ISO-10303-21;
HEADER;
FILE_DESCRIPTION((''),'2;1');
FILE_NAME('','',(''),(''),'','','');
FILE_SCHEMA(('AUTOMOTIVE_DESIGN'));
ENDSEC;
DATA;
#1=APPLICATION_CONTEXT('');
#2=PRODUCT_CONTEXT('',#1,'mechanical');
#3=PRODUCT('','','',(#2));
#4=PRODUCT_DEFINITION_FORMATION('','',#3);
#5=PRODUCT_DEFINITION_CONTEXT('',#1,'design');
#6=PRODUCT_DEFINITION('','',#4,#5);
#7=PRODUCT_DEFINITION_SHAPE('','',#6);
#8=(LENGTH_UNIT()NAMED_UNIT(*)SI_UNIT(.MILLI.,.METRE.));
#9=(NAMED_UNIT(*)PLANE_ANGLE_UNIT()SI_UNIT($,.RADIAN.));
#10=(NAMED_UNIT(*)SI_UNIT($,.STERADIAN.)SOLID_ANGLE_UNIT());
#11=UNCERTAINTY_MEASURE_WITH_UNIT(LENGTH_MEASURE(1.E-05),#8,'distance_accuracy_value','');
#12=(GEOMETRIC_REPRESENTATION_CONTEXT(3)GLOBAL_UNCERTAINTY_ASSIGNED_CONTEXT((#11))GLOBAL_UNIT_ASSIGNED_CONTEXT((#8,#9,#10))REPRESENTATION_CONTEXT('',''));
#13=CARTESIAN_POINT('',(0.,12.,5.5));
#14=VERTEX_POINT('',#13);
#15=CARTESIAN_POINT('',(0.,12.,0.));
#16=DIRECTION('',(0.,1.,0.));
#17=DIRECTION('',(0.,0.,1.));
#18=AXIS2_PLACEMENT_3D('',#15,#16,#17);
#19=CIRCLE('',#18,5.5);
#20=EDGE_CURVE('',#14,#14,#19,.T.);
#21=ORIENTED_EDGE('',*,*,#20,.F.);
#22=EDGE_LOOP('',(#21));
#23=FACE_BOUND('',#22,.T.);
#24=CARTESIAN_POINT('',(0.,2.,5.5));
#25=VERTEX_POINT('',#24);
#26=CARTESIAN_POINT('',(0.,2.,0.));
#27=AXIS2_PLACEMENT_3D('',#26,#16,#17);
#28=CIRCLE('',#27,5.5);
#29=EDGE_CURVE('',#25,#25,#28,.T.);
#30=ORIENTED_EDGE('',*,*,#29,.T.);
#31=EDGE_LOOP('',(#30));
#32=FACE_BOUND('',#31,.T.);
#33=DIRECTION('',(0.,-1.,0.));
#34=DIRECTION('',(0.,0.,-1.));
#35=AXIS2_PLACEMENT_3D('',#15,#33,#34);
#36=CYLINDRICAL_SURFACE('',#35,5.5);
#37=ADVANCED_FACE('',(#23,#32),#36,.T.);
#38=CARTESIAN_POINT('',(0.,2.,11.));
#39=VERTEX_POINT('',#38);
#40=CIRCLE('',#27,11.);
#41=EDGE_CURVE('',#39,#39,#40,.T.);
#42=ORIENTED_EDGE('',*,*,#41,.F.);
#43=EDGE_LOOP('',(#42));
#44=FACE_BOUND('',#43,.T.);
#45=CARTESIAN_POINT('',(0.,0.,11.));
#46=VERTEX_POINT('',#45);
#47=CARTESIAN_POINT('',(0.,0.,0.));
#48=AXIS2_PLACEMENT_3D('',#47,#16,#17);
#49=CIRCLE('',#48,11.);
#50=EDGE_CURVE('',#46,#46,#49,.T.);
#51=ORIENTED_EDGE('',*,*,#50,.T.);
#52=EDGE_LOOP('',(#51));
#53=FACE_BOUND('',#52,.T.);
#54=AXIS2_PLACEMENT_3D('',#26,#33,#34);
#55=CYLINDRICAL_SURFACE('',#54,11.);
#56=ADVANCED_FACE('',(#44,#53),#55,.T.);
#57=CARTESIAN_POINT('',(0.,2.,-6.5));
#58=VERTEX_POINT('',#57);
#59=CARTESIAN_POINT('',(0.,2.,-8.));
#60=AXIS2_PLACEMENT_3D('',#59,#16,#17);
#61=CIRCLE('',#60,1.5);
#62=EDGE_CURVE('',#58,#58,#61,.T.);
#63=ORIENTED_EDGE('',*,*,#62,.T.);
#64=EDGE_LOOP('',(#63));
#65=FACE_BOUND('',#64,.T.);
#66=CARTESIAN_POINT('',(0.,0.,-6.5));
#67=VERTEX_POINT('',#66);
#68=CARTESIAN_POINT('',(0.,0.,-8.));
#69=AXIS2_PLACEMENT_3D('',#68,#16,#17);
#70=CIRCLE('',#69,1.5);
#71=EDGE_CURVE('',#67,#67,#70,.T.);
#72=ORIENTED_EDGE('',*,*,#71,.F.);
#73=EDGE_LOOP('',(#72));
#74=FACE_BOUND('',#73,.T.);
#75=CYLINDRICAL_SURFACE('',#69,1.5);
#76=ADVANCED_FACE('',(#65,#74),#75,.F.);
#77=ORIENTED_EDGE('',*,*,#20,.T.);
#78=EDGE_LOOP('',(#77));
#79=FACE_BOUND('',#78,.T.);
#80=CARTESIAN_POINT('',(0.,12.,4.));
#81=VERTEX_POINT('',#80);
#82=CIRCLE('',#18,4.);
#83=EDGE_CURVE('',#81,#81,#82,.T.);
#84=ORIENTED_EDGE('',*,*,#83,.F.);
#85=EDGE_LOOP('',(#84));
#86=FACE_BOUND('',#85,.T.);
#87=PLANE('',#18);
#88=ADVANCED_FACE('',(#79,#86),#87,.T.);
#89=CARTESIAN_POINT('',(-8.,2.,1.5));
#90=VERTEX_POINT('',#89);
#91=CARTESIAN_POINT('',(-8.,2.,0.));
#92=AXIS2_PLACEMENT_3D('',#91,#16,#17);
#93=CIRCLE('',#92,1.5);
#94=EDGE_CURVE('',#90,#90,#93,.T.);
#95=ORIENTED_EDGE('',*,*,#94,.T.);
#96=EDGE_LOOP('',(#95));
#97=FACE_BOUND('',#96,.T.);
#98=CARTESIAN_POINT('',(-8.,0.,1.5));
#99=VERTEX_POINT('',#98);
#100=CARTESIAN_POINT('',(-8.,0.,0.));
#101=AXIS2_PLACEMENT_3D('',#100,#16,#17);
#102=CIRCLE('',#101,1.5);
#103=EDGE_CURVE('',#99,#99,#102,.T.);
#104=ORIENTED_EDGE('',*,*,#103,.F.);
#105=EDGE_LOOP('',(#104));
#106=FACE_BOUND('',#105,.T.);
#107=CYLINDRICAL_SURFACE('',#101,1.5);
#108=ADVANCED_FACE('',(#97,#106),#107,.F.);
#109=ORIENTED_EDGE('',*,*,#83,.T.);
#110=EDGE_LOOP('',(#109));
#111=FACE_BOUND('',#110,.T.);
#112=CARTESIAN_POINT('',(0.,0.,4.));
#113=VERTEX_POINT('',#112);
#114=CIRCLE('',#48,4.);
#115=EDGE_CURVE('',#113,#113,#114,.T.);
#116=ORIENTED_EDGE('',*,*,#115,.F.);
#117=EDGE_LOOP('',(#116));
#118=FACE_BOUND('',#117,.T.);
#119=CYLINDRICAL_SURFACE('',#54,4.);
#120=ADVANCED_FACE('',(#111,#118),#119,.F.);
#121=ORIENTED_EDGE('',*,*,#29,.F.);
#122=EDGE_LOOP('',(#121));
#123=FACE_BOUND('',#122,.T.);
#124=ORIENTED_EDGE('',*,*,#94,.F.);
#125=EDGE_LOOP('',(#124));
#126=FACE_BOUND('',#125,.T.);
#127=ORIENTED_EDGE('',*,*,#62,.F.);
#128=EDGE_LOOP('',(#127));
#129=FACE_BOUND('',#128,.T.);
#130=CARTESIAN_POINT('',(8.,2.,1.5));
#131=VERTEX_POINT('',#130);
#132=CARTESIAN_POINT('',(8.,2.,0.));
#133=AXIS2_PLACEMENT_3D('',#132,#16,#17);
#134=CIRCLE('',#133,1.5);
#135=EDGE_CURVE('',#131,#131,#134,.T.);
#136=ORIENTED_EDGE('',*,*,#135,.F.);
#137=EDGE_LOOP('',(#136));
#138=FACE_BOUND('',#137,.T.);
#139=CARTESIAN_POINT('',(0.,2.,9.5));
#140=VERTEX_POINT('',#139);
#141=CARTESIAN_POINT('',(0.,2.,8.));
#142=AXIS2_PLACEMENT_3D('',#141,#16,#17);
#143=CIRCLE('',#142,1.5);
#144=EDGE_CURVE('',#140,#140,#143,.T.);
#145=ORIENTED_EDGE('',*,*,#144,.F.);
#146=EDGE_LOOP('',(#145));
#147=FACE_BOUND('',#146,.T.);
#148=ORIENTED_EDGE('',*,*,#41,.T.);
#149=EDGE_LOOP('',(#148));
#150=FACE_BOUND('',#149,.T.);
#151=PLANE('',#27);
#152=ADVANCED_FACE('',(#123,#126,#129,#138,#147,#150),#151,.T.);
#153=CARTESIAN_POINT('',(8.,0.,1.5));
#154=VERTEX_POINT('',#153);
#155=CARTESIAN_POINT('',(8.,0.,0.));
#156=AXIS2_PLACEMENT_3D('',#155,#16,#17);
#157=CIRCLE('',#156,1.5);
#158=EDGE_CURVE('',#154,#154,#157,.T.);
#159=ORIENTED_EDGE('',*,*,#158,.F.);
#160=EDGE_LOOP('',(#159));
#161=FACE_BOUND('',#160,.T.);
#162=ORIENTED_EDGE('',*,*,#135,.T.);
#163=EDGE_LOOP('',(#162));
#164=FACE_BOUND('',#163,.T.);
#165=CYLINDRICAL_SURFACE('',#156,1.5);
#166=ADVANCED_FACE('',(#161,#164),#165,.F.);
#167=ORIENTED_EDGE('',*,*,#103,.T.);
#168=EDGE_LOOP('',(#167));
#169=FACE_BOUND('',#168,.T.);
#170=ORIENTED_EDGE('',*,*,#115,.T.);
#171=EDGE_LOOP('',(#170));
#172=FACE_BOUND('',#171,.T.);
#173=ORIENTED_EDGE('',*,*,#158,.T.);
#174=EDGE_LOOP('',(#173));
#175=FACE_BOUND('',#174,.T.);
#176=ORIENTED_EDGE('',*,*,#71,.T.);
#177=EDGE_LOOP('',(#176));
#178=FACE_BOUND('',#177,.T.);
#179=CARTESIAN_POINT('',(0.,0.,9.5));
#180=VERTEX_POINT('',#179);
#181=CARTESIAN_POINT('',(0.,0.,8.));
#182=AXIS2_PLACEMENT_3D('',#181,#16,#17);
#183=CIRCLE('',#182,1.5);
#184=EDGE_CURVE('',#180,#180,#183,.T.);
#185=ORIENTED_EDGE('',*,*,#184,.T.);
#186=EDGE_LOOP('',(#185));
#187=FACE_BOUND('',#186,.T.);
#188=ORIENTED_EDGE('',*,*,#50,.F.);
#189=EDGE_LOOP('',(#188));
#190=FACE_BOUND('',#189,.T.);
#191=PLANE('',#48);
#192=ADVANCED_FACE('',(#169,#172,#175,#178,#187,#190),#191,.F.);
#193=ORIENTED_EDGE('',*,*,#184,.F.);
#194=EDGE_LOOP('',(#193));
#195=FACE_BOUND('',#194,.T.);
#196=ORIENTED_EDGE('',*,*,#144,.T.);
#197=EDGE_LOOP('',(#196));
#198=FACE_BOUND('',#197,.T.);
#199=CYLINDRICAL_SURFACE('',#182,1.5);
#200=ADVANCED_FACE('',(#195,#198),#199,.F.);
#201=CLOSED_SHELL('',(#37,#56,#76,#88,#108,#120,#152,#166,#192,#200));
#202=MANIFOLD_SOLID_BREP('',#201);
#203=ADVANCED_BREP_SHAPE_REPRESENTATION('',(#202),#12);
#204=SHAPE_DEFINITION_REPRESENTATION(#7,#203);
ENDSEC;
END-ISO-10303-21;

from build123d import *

# Parameters (mm, degrees)
SKETCH1_R           = 11
SKETCH1_R_2         = 4
BOSS_EXTRUDE1_DEPTH = 2
SKETCH2_R           = 1.5
CUT_EXTRUDE1_DEPTH  = 2
SKETCH3_R           = 5.5
SKETCH3_R_2         = 4
BOSS_EXTRUDE2_DEPTH = 10


with BuildPart() as part:
    # Sketch1 → Boss-Extrude1 (new body)
    with BuildSketch(Plane(origin=(0, 0, 0), x_dir=(1, 0, 0), z_dir=(0, 1, 0))):
        with Locations(Location((0, 0, 0), (0, 0, 270))):
            Circle(SKETCH1_R)
        with Locations(Location((0, 0, 0), (0, 0, 270))):
            Circle(SKETCH1_R_2, mode=Mode.SUBTRACT)
    extrude(amount=BOSS_EXTRUDE1_DEPTH)

    # Sketch2 → Cut-Extrude1 (cut)
    with BuildSketch(Plane(origin=(0, 2, 0), x_dir=(1, 0, 0), z_dir=(0, 1, 0))):
        with Locations(Location((8, 0, 0), (0, 0, 270))):
            Circle(SKETCH2_R)
        with Locations(Location((-8, 0, 0), (0, 0, 270))):
            Circle(SKETCH2_R)
        with Locations(Location((0, 8, 0), (0, 0, 270))):
            Circle(SKETCH2_R)
        with Locations(Location((0, -8, 0), (0, 0, 270))):
            Circle(SKETCH2_R)
    extrude(amount=-CUT_EXTRUDE1_DEPTH, mode=Mode.SUBTRACT)

    # Sketch3 → Boss-Extrude2 (add)
    with BuildSketch(Plane(origin=(0, 2, 0), x_dir=(1, 0, 0), z_dir=(0, 1, 0))):
        with Locations(Location((0, 0, 0), (0, 0, 270))):
            Circle(SKETCH3_R)
        with Locations(Location((0, 0, 0), (0, 0, 270))):
            Circle(SKETCH3_R_2, mode=Mode.SUBTRACT)
    extrude(amount=BOSS_EXTRUDE2_DEPTH)


solid = part.part
